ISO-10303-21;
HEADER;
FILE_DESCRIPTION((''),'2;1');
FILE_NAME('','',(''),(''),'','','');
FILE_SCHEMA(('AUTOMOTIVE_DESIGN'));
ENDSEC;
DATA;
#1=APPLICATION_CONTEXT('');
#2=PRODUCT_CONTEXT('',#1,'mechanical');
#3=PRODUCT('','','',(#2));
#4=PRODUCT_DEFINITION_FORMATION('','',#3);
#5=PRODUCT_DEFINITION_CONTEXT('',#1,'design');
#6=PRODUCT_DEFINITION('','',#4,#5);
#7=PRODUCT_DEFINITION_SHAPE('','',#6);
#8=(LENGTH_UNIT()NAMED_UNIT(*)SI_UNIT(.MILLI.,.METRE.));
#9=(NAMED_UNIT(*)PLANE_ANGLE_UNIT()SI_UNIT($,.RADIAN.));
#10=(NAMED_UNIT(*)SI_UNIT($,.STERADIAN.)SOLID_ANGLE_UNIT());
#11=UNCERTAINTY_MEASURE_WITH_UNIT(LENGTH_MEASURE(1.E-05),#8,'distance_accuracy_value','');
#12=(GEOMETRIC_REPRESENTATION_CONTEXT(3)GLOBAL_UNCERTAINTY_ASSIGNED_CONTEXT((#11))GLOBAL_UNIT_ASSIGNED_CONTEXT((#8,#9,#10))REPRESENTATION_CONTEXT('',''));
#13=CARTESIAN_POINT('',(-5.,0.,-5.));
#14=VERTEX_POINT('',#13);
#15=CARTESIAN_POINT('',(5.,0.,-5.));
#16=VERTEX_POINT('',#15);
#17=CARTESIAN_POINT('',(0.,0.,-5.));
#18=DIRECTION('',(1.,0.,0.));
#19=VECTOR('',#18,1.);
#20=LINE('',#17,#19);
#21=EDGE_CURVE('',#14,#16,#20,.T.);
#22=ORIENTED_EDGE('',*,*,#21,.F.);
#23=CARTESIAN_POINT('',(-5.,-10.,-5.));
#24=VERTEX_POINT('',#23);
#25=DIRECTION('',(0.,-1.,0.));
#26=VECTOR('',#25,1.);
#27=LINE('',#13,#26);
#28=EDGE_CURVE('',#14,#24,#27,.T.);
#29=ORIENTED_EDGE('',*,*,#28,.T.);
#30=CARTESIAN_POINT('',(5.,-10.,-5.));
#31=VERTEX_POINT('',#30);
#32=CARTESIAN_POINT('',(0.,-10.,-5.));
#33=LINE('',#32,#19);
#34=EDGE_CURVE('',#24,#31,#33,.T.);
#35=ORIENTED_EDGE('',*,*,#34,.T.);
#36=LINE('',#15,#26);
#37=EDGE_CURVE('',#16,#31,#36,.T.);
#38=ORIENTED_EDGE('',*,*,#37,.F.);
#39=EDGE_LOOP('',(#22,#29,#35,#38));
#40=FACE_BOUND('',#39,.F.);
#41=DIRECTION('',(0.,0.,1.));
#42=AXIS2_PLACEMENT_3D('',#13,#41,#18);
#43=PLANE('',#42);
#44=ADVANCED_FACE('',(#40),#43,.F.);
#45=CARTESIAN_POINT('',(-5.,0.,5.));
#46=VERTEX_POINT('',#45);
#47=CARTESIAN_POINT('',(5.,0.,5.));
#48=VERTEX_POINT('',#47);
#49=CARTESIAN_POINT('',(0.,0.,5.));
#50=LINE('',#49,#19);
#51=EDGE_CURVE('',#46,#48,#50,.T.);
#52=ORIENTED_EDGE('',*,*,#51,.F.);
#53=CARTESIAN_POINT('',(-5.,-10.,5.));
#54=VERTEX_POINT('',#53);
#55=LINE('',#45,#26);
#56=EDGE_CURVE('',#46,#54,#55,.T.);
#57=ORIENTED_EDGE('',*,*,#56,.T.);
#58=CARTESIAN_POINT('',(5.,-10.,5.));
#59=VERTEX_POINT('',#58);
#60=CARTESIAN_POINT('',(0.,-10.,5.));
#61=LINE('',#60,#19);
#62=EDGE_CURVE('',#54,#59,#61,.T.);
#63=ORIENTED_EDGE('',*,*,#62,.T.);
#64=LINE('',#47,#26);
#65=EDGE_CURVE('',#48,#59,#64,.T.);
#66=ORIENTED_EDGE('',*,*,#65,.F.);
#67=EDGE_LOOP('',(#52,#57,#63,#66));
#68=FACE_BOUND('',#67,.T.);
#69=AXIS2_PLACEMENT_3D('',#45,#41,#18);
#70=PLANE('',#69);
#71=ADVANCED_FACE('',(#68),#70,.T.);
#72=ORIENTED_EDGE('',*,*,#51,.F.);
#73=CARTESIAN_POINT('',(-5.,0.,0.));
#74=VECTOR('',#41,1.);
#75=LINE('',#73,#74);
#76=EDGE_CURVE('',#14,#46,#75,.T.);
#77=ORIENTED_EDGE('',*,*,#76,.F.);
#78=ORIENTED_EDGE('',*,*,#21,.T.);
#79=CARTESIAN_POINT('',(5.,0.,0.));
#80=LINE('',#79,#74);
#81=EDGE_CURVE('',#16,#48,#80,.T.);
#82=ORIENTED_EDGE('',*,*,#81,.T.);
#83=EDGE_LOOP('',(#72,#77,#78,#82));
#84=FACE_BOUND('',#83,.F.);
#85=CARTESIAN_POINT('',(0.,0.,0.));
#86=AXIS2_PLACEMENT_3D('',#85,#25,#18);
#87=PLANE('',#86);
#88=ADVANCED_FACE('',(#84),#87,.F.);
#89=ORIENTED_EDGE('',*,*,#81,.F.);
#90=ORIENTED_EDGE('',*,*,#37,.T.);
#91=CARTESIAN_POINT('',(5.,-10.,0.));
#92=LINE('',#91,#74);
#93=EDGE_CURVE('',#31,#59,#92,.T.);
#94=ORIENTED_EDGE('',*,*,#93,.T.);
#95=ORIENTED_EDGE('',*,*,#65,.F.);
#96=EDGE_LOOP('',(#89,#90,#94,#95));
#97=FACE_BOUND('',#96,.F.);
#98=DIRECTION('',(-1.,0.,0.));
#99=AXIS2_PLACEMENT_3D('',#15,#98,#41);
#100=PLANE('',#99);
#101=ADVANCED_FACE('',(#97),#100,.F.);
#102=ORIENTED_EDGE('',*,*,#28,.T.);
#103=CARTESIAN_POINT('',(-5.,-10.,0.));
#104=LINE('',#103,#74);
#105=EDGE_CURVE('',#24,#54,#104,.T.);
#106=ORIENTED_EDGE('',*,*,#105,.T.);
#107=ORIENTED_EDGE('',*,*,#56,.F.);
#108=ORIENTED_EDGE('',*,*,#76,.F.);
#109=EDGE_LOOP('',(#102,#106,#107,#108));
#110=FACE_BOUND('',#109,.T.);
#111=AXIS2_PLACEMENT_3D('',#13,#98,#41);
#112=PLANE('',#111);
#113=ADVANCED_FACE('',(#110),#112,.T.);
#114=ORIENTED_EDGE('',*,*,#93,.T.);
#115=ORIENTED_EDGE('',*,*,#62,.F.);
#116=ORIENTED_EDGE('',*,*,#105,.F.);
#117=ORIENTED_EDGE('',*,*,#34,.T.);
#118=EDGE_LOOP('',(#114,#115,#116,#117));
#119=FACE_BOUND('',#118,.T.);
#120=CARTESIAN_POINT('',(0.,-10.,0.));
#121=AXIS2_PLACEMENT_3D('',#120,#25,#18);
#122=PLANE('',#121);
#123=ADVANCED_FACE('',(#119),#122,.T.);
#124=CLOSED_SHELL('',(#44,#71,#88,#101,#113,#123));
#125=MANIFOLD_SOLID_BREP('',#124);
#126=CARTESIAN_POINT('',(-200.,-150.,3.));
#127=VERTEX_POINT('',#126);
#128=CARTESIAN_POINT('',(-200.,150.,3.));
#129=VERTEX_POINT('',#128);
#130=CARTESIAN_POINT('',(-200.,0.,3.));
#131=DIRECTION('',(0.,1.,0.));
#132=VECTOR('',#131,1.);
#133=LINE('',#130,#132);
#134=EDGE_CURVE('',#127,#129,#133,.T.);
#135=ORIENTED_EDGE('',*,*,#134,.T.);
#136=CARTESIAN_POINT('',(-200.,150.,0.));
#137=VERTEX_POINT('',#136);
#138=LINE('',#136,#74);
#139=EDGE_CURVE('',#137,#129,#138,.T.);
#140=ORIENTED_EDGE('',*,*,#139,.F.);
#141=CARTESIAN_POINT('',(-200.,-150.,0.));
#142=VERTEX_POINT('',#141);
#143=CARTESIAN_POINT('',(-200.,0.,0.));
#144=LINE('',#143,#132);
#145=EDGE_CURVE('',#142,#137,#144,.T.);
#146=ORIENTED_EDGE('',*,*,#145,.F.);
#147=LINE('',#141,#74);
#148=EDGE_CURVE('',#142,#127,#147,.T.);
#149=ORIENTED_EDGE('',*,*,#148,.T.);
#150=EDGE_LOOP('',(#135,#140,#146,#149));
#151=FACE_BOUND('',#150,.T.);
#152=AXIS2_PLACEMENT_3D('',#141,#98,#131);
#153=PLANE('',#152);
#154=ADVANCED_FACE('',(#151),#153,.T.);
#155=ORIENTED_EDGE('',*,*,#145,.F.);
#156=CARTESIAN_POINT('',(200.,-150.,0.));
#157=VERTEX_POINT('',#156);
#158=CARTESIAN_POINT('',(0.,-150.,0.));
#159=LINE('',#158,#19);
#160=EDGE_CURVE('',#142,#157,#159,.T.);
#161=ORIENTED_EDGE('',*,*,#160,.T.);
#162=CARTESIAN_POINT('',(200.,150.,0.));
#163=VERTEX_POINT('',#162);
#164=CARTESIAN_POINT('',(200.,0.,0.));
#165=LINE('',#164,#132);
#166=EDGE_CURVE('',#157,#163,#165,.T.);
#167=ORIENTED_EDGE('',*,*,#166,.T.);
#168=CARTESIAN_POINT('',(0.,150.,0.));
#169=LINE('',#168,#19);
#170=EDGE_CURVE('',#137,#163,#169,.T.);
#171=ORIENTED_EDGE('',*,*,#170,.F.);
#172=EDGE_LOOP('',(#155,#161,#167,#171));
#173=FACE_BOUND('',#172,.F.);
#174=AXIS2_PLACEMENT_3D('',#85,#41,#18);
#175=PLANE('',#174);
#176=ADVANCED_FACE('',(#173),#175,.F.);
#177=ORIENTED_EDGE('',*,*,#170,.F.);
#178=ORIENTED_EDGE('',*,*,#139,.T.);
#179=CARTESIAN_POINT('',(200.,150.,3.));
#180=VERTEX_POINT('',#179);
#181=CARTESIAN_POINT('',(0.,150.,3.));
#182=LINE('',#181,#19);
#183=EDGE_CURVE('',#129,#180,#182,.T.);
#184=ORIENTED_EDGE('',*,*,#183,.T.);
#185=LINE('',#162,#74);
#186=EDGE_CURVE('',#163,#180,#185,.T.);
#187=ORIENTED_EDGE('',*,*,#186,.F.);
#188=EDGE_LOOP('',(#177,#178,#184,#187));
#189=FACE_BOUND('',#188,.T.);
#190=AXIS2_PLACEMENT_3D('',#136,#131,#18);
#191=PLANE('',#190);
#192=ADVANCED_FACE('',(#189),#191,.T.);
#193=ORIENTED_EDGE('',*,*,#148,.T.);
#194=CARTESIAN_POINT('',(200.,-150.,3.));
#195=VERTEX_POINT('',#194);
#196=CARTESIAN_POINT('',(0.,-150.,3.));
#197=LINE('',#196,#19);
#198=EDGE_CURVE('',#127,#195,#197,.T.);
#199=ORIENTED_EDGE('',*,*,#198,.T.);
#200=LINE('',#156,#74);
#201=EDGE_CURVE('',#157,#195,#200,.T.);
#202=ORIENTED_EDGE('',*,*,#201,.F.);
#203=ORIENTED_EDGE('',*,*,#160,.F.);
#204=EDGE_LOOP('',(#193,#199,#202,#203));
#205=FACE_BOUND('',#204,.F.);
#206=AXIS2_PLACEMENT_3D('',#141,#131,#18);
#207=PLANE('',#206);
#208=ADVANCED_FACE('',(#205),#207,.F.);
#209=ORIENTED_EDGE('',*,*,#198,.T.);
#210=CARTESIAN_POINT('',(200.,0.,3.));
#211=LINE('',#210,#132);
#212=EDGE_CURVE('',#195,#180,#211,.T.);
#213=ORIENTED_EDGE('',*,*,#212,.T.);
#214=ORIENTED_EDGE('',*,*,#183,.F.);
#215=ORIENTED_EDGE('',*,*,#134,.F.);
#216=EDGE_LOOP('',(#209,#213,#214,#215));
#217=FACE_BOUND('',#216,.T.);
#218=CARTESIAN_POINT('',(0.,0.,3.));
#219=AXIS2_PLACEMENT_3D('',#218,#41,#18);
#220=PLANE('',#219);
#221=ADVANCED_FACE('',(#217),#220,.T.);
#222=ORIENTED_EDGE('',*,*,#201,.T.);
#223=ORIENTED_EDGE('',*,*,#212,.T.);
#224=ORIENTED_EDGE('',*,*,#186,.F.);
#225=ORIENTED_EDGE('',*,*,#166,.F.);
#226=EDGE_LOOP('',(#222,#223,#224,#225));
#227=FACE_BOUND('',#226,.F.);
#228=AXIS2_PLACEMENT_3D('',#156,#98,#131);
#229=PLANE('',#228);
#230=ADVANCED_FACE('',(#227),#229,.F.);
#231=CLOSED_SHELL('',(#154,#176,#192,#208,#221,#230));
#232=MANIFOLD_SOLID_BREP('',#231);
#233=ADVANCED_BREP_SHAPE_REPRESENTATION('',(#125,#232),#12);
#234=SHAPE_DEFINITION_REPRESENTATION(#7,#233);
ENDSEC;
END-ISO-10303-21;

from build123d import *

# Parameters (mm, degrees)
F0_W     = 400
F0_H     = 300
F1_DEPTH = 3
F2_W     = 10
F2_H     = 10
F3_DEPTH = 10


with BuildPart() as f1:
    # F0 (on Top) → F1 (new body)
    with BuildSketch(Plane.XY):
        Rectangle(F0_W, F0_H)
    extrude(amount=F1_DEPTH)


with BuildPart() as f3:
    # F2 (on Front) → F3 (new body)
    with BuildSketch(Plane.XZ):
        Rectangle(F2_W, F2_H)
    extrude(amount=F3_DEPTH)


solid = Compound([f1.part, f3.part])
